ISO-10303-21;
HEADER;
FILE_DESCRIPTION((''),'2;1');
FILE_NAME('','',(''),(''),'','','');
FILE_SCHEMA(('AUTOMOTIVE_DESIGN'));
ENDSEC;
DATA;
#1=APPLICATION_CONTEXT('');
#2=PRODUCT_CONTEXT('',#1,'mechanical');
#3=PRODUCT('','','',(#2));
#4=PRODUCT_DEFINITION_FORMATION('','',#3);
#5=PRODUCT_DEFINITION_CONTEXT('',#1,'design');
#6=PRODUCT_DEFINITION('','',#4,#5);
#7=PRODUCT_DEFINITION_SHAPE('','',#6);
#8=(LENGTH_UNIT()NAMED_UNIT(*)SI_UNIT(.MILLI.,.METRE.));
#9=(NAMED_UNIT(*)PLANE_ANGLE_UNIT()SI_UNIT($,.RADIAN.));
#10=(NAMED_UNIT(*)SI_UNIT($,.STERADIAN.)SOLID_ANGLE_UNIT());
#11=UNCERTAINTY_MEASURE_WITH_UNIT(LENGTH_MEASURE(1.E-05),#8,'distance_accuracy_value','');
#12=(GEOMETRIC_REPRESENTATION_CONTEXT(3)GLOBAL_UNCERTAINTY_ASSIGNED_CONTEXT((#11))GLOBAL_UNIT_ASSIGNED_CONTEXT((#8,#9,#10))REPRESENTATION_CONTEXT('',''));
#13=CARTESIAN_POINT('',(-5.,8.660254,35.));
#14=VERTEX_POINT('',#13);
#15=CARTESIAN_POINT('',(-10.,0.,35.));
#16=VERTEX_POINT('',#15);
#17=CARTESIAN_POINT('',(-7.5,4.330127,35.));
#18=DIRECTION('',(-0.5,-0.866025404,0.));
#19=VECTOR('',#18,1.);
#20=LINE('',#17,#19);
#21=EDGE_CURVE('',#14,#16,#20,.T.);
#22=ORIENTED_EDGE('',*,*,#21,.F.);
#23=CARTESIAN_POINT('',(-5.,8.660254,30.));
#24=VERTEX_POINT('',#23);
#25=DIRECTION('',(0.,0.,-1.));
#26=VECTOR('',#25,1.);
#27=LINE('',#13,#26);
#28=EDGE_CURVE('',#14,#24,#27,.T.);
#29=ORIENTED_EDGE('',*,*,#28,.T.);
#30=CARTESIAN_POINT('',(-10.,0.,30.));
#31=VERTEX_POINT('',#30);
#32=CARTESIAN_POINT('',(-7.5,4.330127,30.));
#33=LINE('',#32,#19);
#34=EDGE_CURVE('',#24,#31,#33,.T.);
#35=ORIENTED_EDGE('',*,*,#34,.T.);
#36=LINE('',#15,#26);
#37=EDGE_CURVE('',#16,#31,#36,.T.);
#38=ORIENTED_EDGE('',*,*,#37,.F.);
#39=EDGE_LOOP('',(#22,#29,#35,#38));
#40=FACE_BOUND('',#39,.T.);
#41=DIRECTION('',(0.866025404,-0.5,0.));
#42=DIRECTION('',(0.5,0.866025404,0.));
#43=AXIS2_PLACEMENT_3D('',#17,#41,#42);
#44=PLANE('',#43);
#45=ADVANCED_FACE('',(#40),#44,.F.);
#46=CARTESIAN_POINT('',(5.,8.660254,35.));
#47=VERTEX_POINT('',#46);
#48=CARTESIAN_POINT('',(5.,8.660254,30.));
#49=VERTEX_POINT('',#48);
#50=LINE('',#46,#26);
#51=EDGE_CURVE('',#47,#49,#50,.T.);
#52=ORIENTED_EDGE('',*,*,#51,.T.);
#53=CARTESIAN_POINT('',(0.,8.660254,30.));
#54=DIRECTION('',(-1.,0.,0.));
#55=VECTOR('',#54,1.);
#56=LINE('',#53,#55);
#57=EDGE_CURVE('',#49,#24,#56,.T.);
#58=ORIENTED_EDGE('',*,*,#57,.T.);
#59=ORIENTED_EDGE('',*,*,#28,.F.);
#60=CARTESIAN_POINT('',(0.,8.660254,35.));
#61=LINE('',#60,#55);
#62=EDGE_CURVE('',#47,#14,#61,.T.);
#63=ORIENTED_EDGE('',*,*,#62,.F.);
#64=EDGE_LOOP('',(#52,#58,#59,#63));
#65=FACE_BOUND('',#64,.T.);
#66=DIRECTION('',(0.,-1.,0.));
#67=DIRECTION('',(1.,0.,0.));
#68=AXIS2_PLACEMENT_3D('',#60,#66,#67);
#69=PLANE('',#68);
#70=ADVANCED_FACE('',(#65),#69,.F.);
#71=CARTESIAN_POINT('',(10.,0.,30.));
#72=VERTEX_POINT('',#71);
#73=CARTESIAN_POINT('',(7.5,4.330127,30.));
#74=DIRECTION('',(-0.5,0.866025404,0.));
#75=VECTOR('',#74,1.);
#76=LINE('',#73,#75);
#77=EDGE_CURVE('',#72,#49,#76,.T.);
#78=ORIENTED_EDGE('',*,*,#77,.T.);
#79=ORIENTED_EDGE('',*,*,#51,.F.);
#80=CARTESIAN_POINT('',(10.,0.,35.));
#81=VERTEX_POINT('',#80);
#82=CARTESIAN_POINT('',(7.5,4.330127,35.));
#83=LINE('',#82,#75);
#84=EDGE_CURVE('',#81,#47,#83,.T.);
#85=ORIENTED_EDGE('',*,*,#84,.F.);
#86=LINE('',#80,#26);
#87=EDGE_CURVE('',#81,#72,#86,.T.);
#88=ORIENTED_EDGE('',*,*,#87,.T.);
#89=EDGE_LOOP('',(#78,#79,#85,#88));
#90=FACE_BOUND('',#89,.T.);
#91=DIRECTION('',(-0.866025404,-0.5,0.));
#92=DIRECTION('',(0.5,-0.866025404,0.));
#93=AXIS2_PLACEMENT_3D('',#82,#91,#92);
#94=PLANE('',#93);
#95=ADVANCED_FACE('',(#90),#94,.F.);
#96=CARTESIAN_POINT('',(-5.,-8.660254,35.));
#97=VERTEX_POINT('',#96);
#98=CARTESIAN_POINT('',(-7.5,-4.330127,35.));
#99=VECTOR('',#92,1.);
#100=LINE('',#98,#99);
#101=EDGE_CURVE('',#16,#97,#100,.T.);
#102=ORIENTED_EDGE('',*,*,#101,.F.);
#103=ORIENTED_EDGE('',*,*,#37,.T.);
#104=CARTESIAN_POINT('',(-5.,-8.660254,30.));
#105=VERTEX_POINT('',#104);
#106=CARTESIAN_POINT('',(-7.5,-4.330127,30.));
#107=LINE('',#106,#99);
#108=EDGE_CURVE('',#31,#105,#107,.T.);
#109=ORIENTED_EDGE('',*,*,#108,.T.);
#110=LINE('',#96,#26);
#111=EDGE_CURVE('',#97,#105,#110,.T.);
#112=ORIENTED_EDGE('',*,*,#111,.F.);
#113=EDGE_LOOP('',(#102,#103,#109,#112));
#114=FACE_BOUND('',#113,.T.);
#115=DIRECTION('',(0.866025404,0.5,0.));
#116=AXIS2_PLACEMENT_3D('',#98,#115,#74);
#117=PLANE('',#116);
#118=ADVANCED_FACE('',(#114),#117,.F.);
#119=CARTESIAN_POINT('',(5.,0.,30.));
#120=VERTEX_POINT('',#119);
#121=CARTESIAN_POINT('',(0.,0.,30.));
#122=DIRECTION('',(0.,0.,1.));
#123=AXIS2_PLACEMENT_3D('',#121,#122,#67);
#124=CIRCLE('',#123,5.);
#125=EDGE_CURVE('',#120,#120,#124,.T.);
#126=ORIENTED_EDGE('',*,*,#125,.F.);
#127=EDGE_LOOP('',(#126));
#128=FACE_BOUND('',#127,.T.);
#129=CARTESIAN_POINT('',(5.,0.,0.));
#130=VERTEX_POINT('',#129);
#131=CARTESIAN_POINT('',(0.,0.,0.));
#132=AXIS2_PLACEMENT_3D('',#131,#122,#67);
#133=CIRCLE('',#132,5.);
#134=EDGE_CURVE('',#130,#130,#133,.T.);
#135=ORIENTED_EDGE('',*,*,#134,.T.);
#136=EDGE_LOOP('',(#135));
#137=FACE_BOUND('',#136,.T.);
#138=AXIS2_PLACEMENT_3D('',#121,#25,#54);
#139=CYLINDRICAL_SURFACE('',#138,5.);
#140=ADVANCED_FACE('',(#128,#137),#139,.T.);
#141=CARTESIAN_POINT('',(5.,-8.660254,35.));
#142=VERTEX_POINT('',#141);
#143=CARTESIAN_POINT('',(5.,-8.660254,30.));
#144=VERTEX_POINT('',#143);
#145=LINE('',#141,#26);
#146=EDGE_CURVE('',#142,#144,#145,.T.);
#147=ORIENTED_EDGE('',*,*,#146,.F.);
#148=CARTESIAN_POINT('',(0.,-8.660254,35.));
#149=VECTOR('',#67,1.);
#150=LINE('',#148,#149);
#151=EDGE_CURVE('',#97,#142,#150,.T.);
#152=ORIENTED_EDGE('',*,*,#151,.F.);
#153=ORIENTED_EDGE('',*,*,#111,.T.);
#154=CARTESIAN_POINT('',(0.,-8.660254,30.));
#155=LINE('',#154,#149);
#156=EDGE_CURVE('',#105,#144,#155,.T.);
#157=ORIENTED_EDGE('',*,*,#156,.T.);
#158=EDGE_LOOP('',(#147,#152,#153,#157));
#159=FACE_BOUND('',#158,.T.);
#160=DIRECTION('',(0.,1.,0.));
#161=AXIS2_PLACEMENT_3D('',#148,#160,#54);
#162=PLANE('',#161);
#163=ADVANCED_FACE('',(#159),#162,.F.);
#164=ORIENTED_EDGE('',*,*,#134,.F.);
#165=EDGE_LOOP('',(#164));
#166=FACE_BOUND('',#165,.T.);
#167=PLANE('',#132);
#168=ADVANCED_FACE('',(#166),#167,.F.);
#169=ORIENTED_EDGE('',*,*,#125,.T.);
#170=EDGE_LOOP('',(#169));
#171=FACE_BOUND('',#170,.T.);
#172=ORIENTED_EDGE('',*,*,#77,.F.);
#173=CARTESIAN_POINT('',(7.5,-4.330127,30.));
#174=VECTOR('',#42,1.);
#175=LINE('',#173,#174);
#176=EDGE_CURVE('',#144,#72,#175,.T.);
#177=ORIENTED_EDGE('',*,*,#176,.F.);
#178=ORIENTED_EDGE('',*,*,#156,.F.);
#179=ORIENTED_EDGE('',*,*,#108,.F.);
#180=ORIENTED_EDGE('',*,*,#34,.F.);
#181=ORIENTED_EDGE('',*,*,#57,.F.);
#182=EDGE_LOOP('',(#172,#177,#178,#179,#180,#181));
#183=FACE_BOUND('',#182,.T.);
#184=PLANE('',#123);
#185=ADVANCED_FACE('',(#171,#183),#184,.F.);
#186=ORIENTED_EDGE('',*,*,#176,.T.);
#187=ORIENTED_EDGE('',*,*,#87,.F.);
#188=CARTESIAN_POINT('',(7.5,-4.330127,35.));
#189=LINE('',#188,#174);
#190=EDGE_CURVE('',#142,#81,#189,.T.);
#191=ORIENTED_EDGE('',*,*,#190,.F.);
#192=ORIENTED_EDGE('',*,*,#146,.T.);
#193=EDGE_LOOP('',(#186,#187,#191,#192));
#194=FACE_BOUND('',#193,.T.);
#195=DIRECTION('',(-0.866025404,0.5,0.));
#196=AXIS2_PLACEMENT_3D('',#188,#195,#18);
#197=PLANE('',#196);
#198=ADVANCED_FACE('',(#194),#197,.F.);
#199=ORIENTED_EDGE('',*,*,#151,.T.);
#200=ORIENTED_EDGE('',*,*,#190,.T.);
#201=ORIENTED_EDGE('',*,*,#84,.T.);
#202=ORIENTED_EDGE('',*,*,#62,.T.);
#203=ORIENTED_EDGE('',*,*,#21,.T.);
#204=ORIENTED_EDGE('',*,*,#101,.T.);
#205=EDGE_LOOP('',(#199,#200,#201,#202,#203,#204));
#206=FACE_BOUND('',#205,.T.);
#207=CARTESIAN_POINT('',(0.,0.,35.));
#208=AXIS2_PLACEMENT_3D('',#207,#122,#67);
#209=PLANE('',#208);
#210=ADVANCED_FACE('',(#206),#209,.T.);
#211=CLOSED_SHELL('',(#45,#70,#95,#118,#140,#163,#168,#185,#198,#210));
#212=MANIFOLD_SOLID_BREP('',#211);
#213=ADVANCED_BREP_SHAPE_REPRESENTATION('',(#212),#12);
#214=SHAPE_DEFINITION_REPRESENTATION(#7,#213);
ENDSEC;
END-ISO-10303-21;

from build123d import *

# Parameters (mm, degrees)
SKETCH1_R           = 5
BOSS_EXTRUDE1_DEPTH = 30
SKETCH6_R           = 5
BOSS_EXTRUDE3_DEPTH = 5


with BuildPart() as part:
    # Sketch1 → Boss-Extrude1 (new body)
    with BuildSketch(Plane.XY):
        Circle(SKETCH1_R)
    extrude(amount=BOSS_EXTRUDE1_DEPTH)

    # Sketch6 → Boss-Extrude3 (add)
    # profile 1 of 2: a face of its own
    with BuildSketch(Plane.XY.offset(30)):
        Polygon((5, 8.660254038), (-5, 8.660254038), (-10, 0), (-5, -8.660254038), (5, -8.660254038), (10, 0), align=None)
        Circle(SKETCH6_R, mode=Mode.SUBTRACT)
    # profile 2 of 2: a face of its own
    with BuildSketch(Plane.XY.offset(30)):
        Circle(SKETCH6_R)
    extrude(amount=BOSS_EXTRUDE3_DEPTH)


solid = part.part
